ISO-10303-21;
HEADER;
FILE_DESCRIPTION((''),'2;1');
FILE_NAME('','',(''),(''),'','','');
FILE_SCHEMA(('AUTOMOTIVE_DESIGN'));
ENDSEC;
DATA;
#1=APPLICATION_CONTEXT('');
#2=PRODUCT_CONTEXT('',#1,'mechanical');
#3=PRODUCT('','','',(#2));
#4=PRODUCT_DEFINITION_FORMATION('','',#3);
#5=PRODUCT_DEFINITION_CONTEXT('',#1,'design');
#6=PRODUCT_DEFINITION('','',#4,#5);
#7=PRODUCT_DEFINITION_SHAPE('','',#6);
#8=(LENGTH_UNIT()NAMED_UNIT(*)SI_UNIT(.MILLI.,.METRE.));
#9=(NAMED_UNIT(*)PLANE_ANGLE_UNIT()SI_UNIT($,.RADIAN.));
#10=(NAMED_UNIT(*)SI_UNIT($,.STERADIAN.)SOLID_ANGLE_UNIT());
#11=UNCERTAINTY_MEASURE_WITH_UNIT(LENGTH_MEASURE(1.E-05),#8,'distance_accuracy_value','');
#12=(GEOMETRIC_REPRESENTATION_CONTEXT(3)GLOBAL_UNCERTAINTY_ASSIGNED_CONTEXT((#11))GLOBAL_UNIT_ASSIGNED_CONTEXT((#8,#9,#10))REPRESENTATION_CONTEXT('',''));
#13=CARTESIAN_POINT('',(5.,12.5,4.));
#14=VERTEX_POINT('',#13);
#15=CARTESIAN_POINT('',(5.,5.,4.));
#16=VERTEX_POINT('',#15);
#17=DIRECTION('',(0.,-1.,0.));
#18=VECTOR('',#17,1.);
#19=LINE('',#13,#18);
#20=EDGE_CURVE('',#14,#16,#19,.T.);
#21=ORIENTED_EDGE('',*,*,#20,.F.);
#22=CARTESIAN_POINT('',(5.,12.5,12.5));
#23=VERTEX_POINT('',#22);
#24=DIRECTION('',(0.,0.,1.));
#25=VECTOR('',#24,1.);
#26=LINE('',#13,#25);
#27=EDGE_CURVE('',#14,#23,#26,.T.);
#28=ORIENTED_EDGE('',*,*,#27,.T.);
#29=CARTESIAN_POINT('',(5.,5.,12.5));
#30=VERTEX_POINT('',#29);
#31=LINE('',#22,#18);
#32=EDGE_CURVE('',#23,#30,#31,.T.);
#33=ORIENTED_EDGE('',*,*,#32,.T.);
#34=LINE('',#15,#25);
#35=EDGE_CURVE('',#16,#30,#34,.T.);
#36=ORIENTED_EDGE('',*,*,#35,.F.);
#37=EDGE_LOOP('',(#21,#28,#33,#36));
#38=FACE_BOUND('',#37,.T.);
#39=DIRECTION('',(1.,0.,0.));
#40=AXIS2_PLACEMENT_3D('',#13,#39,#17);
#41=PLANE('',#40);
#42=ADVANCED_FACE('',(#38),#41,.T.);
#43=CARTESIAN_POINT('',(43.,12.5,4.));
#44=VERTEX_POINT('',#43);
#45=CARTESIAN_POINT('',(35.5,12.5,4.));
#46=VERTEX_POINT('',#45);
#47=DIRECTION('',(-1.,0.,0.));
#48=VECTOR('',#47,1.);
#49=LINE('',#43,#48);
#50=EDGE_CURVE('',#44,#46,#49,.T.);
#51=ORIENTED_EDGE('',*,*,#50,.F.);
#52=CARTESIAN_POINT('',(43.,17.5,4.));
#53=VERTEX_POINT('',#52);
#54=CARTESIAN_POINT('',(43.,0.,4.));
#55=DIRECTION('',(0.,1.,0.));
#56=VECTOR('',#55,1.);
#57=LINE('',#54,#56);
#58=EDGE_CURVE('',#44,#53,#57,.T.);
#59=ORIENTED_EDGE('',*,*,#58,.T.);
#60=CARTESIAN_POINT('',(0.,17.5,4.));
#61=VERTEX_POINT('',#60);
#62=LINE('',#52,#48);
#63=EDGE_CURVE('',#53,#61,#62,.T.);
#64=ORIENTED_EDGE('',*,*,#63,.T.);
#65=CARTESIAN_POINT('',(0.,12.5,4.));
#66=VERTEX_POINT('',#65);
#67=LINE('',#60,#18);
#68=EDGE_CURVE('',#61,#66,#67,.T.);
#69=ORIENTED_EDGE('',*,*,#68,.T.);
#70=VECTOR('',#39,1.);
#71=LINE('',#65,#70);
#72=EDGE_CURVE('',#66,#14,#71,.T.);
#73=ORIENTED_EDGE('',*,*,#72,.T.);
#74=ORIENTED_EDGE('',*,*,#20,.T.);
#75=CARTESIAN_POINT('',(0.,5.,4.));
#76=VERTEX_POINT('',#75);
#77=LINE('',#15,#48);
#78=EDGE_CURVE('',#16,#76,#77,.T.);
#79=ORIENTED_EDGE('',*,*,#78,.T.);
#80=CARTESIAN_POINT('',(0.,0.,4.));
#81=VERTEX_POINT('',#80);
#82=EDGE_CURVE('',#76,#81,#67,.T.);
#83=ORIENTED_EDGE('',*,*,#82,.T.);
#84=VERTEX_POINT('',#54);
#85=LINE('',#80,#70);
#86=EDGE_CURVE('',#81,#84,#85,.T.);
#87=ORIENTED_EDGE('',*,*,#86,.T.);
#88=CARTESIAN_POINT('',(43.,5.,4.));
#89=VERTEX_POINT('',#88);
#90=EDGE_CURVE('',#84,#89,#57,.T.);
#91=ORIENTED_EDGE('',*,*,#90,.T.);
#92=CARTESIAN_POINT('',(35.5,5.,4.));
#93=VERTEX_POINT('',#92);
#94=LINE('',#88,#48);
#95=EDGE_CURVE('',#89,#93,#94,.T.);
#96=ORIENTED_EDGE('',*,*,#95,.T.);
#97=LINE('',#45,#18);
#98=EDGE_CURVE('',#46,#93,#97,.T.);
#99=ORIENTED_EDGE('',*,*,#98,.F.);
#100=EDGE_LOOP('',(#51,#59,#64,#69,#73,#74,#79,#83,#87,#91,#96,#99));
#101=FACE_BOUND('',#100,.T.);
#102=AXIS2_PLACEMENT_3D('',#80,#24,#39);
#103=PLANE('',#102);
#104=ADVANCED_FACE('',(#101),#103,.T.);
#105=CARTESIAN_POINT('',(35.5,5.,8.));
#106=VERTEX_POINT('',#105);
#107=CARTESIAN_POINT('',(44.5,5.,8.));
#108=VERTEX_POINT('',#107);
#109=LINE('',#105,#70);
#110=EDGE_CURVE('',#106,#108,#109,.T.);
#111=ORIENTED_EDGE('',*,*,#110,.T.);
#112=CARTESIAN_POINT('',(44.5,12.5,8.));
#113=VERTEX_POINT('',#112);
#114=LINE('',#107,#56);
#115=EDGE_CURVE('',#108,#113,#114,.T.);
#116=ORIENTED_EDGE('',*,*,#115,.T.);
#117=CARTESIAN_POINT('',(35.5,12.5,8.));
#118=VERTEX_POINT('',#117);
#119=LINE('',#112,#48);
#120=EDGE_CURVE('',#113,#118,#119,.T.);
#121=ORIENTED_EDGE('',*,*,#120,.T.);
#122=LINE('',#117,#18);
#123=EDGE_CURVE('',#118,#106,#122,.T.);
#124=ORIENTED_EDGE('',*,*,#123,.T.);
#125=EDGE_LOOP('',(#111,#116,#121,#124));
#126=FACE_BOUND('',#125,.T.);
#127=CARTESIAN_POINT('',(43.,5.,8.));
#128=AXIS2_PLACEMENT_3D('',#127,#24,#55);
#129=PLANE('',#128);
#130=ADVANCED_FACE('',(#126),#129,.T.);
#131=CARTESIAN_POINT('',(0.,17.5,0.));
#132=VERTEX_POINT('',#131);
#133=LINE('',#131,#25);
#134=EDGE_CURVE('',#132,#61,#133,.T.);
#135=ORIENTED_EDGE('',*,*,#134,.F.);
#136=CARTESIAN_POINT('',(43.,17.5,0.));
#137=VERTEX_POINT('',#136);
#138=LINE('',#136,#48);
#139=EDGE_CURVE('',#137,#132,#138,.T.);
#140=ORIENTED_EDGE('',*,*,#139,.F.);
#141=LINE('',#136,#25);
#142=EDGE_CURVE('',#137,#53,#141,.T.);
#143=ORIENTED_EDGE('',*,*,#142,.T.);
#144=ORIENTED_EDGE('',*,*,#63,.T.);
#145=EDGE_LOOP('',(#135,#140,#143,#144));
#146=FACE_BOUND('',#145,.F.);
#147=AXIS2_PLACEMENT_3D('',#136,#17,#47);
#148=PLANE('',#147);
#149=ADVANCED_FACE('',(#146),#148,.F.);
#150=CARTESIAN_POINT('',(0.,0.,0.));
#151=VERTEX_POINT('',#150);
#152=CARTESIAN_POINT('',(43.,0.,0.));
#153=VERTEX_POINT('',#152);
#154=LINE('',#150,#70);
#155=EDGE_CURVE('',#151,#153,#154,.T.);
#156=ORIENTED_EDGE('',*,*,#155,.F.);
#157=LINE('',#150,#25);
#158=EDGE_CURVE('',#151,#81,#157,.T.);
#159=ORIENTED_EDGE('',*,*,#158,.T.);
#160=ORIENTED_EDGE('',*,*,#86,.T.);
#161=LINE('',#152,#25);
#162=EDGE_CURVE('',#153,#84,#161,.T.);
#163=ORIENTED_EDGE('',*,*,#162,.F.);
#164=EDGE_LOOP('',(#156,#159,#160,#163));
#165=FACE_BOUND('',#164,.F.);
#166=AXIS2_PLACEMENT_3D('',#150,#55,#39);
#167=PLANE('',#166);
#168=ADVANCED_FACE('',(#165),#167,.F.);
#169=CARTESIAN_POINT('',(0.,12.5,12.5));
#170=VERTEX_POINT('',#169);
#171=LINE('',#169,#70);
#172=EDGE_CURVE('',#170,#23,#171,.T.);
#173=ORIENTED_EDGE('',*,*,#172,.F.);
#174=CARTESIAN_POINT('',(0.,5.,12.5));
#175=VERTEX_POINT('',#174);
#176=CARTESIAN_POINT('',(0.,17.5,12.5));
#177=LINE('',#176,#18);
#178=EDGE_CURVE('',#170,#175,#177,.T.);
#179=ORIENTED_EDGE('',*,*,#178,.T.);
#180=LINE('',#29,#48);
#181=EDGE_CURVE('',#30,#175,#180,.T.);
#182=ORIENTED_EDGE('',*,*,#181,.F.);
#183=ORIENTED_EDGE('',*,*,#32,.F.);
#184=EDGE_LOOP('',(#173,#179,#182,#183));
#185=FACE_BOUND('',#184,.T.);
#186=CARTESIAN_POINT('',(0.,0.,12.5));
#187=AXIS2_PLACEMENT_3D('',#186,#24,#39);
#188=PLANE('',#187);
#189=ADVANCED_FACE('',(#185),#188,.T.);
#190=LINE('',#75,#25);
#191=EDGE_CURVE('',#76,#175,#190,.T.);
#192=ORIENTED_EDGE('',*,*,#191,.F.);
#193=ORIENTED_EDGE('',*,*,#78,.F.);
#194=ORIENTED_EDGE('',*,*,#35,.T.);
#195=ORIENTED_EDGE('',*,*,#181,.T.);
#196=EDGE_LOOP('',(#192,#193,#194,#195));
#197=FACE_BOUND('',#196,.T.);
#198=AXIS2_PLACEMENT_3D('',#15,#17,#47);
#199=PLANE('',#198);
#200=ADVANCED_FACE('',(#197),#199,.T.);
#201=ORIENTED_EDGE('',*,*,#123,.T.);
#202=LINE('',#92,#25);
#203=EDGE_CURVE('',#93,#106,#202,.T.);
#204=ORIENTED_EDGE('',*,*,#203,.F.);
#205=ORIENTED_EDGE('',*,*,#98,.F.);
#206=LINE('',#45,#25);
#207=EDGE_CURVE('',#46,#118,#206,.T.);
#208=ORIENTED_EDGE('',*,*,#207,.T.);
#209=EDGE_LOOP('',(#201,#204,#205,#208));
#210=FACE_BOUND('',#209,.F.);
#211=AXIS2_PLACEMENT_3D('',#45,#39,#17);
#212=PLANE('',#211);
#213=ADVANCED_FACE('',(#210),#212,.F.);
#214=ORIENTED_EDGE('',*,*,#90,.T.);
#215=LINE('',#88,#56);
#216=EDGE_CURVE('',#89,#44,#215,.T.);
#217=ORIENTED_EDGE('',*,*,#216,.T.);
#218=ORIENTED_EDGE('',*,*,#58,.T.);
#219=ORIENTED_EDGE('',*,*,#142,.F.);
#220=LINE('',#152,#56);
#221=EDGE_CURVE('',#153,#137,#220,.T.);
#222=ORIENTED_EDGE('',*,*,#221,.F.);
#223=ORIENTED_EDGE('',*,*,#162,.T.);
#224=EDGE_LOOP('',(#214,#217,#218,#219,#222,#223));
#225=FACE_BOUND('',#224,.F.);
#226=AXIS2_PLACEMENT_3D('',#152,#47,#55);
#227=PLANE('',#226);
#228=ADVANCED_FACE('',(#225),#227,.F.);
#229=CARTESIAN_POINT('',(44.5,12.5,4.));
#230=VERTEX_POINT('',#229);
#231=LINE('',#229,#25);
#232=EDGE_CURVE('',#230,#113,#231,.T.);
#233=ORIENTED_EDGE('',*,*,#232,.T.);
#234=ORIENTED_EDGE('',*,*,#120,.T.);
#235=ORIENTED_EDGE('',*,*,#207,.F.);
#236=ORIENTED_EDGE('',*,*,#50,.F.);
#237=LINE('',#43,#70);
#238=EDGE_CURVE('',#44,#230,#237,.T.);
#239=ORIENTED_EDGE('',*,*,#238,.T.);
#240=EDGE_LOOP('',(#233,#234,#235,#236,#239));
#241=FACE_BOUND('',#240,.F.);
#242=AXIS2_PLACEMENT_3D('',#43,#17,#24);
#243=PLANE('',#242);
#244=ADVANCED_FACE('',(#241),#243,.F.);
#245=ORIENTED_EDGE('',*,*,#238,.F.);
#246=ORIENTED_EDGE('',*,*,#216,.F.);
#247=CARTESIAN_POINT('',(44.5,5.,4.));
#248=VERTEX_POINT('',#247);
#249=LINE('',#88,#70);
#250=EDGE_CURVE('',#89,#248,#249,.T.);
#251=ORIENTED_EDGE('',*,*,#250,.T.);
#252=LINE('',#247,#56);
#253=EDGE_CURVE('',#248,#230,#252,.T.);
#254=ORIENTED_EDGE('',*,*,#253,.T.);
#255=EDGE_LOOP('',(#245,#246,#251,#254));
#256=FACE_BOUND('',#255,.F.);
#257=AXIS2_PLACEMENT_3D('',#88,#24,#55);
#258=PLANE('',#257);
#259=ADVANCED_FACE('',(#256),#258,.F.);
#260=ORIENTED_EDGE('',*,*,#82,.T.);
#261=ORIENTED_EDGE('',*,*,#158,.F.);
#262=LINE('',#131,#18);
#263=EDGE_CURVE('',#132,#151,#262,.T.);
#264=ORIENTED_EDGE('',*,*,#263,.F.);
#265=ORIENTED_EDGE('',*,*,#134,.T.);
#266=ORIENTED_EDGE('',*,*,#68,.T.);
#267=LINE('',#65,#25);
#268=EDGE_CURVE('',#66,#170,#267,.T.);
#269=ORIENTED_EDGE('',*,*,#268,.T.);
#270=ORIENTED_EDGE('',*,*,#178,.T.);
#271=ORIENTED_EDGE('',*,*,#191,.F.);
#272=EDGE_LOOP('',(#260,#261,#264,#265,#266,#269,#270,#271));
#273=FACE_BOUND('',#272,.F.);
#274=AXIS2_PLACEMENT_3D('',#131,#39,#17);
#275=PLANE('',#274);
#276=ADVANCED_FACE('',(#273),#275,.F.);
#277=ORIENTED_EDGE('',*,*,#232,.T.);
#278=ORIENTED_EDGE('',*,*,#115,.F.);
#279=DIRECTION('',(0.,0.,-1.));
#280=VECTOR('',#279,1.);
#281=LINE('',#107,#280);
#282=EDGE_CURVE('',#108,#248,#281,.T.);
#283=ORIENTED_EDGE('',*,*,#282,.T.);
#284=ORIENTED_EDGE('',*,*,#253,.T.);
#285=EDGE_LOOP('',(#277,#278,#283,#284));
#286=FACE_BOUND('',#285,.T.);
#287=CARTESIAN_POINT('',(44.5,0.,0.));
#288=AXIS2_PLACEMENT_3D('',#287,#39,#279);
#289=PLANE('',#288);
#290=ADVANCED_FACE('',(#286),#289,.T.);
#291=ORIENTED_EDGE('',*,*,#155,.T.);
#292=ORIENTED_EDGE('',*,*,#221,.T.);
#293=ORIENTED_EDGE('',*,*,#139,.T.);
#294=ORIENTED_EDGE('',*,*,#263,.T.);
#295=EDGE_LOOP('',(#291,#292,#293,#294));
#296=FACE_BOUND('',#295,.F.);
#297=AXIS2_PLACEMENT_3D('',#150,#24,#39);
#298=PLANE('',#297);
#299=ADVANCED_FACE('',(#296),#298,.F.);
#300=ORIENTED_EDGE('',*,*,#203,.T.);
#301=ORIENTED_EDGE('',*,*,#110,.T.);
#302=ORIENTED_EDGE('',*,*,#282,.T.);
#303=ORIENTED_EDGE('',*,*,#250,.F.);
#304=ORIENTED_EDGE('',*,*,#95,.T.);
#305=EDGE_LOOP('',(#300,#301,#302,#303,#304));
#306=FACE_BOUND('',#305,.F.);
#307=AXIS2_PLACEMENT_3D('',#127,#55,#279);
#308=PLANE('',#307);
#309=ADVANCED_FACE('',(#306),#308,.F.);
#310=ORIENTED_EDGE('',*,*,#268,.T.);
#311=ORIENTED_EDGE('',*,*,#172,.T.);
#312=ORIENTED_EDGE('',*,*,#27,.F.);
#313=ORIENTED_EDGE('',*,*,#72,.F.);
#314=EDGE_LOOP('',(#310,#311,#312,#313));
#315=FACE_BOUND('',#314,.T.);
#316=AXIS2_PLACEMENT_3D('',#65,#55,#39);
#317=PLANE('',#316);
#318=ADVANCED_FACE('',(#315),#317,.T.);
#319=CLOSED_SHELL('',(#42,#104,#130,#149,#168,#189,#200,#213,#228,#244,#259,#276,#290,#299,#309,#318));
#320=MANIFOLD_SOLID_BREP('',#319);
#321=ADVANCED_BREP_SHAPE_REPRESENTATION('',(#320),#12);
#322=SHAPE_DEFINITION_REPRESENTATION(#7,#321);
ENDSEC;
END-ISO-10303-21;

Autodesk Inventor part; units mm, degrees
ref_plane "YZ Plane" through (0, 0, 0) normal (1, 0, 0) x (0, 1, 0)
ref_plane "XZ Plane" through (0, 0, 0) normal (0, 1, 0) x (-1, 0, 0)
ref_plane "XY Plane" through (0, 0, 0) normal (0, 0, 1) x (1, 0, 0)
sketch "Sketch1" plane through (0, 0, 0) normal (0, 0, 1) x (1, 0, 0)
  line L0 (0, 0) -> (43, 0)
  line L1 (43, 0) -> (43, 17.5)
  line L2 (43, 17.5) -> (0, 17.5)
  line L3 (0, 17.5) -> (0, 0)
  dimension "d0" = 43
  dimension "d1" = 17.5
extrude "Extrusion1" add sketch "Sketch1" along normal blind 4
sketch "Sketch2" plane through (0, 0, 4) normal (0, 0, 1) x (1, 0, 0)
  line L0 (0, 0) -> (0, 5)
  line L1 (43, 17.5) -> (0, 17.5) projected
  line L2 (0, 17.5) -> (0, 12.5)
  line L3 (0, 17.5) -> (0, 0) projected
  line L4 (0, 12.5) -> (5, 12.5)
  line L5 (5, 12.5) -> (5, 5)
  line L6 (5, 5) -> (0, 5)
  line L7 (0, 12.5) -> (0, 5)
  line L8 (0.0001, 12.5) -> (0.0007, 5)
  dimension "d4" = 5
  dimension "d5" = 5
  dimension "d6" = 5
extrude "Extrusion2" add sketch "Sketch2" along normal blind 8.5
sketch "Sketch3" plane through (0, 0, 4) normal (0, 0, 1) x (1, 0, 0)
  line L0 (43, 0) -> (43, 17.5) projected
  line L1 (43, 0) -> (43, 5)
  line L2 (43, 5) -> (35.5, 5)
  line L3 (43, 17.5) -> (0, 17.5) projected
  line L4 (43, 17.5) -> (43, 12.5)
  line L5 (43, 12.5) -> (35.5, 12.5)
  line L6 (35.5, 12.5) -> (35.5, 5)
  point P0 (0, 0)
  dimension "d9" = 5
  dimension "d10" = 7.5
  dimension "d11" = 5
extrude "Extrusion3" add sketch "Sketch3" along normal blind 4
sketch "Sketch4" plane through (43, 0, 0) normal (1, 0, 0) x (0, 0, -1)
  line L0 (-8, 5) -> (-8, 12.5) projected
  line L1 (-4, 0) -> (-4, 5) projected
  line L2 (-8, 5) -> (-4, 5)
  line L3 (-4, 5) -> (-4, 12.5)
  line L4 (-4, 12.5) -> (-8, 12.5)
  line L5 (-8, 12.5) -> (-8, 5)
  point P0 (0, 0)
extrude "Extrusion4" add sketch "Sketch4" along normal blind 1.5
properties part number "Arduino Nano"
